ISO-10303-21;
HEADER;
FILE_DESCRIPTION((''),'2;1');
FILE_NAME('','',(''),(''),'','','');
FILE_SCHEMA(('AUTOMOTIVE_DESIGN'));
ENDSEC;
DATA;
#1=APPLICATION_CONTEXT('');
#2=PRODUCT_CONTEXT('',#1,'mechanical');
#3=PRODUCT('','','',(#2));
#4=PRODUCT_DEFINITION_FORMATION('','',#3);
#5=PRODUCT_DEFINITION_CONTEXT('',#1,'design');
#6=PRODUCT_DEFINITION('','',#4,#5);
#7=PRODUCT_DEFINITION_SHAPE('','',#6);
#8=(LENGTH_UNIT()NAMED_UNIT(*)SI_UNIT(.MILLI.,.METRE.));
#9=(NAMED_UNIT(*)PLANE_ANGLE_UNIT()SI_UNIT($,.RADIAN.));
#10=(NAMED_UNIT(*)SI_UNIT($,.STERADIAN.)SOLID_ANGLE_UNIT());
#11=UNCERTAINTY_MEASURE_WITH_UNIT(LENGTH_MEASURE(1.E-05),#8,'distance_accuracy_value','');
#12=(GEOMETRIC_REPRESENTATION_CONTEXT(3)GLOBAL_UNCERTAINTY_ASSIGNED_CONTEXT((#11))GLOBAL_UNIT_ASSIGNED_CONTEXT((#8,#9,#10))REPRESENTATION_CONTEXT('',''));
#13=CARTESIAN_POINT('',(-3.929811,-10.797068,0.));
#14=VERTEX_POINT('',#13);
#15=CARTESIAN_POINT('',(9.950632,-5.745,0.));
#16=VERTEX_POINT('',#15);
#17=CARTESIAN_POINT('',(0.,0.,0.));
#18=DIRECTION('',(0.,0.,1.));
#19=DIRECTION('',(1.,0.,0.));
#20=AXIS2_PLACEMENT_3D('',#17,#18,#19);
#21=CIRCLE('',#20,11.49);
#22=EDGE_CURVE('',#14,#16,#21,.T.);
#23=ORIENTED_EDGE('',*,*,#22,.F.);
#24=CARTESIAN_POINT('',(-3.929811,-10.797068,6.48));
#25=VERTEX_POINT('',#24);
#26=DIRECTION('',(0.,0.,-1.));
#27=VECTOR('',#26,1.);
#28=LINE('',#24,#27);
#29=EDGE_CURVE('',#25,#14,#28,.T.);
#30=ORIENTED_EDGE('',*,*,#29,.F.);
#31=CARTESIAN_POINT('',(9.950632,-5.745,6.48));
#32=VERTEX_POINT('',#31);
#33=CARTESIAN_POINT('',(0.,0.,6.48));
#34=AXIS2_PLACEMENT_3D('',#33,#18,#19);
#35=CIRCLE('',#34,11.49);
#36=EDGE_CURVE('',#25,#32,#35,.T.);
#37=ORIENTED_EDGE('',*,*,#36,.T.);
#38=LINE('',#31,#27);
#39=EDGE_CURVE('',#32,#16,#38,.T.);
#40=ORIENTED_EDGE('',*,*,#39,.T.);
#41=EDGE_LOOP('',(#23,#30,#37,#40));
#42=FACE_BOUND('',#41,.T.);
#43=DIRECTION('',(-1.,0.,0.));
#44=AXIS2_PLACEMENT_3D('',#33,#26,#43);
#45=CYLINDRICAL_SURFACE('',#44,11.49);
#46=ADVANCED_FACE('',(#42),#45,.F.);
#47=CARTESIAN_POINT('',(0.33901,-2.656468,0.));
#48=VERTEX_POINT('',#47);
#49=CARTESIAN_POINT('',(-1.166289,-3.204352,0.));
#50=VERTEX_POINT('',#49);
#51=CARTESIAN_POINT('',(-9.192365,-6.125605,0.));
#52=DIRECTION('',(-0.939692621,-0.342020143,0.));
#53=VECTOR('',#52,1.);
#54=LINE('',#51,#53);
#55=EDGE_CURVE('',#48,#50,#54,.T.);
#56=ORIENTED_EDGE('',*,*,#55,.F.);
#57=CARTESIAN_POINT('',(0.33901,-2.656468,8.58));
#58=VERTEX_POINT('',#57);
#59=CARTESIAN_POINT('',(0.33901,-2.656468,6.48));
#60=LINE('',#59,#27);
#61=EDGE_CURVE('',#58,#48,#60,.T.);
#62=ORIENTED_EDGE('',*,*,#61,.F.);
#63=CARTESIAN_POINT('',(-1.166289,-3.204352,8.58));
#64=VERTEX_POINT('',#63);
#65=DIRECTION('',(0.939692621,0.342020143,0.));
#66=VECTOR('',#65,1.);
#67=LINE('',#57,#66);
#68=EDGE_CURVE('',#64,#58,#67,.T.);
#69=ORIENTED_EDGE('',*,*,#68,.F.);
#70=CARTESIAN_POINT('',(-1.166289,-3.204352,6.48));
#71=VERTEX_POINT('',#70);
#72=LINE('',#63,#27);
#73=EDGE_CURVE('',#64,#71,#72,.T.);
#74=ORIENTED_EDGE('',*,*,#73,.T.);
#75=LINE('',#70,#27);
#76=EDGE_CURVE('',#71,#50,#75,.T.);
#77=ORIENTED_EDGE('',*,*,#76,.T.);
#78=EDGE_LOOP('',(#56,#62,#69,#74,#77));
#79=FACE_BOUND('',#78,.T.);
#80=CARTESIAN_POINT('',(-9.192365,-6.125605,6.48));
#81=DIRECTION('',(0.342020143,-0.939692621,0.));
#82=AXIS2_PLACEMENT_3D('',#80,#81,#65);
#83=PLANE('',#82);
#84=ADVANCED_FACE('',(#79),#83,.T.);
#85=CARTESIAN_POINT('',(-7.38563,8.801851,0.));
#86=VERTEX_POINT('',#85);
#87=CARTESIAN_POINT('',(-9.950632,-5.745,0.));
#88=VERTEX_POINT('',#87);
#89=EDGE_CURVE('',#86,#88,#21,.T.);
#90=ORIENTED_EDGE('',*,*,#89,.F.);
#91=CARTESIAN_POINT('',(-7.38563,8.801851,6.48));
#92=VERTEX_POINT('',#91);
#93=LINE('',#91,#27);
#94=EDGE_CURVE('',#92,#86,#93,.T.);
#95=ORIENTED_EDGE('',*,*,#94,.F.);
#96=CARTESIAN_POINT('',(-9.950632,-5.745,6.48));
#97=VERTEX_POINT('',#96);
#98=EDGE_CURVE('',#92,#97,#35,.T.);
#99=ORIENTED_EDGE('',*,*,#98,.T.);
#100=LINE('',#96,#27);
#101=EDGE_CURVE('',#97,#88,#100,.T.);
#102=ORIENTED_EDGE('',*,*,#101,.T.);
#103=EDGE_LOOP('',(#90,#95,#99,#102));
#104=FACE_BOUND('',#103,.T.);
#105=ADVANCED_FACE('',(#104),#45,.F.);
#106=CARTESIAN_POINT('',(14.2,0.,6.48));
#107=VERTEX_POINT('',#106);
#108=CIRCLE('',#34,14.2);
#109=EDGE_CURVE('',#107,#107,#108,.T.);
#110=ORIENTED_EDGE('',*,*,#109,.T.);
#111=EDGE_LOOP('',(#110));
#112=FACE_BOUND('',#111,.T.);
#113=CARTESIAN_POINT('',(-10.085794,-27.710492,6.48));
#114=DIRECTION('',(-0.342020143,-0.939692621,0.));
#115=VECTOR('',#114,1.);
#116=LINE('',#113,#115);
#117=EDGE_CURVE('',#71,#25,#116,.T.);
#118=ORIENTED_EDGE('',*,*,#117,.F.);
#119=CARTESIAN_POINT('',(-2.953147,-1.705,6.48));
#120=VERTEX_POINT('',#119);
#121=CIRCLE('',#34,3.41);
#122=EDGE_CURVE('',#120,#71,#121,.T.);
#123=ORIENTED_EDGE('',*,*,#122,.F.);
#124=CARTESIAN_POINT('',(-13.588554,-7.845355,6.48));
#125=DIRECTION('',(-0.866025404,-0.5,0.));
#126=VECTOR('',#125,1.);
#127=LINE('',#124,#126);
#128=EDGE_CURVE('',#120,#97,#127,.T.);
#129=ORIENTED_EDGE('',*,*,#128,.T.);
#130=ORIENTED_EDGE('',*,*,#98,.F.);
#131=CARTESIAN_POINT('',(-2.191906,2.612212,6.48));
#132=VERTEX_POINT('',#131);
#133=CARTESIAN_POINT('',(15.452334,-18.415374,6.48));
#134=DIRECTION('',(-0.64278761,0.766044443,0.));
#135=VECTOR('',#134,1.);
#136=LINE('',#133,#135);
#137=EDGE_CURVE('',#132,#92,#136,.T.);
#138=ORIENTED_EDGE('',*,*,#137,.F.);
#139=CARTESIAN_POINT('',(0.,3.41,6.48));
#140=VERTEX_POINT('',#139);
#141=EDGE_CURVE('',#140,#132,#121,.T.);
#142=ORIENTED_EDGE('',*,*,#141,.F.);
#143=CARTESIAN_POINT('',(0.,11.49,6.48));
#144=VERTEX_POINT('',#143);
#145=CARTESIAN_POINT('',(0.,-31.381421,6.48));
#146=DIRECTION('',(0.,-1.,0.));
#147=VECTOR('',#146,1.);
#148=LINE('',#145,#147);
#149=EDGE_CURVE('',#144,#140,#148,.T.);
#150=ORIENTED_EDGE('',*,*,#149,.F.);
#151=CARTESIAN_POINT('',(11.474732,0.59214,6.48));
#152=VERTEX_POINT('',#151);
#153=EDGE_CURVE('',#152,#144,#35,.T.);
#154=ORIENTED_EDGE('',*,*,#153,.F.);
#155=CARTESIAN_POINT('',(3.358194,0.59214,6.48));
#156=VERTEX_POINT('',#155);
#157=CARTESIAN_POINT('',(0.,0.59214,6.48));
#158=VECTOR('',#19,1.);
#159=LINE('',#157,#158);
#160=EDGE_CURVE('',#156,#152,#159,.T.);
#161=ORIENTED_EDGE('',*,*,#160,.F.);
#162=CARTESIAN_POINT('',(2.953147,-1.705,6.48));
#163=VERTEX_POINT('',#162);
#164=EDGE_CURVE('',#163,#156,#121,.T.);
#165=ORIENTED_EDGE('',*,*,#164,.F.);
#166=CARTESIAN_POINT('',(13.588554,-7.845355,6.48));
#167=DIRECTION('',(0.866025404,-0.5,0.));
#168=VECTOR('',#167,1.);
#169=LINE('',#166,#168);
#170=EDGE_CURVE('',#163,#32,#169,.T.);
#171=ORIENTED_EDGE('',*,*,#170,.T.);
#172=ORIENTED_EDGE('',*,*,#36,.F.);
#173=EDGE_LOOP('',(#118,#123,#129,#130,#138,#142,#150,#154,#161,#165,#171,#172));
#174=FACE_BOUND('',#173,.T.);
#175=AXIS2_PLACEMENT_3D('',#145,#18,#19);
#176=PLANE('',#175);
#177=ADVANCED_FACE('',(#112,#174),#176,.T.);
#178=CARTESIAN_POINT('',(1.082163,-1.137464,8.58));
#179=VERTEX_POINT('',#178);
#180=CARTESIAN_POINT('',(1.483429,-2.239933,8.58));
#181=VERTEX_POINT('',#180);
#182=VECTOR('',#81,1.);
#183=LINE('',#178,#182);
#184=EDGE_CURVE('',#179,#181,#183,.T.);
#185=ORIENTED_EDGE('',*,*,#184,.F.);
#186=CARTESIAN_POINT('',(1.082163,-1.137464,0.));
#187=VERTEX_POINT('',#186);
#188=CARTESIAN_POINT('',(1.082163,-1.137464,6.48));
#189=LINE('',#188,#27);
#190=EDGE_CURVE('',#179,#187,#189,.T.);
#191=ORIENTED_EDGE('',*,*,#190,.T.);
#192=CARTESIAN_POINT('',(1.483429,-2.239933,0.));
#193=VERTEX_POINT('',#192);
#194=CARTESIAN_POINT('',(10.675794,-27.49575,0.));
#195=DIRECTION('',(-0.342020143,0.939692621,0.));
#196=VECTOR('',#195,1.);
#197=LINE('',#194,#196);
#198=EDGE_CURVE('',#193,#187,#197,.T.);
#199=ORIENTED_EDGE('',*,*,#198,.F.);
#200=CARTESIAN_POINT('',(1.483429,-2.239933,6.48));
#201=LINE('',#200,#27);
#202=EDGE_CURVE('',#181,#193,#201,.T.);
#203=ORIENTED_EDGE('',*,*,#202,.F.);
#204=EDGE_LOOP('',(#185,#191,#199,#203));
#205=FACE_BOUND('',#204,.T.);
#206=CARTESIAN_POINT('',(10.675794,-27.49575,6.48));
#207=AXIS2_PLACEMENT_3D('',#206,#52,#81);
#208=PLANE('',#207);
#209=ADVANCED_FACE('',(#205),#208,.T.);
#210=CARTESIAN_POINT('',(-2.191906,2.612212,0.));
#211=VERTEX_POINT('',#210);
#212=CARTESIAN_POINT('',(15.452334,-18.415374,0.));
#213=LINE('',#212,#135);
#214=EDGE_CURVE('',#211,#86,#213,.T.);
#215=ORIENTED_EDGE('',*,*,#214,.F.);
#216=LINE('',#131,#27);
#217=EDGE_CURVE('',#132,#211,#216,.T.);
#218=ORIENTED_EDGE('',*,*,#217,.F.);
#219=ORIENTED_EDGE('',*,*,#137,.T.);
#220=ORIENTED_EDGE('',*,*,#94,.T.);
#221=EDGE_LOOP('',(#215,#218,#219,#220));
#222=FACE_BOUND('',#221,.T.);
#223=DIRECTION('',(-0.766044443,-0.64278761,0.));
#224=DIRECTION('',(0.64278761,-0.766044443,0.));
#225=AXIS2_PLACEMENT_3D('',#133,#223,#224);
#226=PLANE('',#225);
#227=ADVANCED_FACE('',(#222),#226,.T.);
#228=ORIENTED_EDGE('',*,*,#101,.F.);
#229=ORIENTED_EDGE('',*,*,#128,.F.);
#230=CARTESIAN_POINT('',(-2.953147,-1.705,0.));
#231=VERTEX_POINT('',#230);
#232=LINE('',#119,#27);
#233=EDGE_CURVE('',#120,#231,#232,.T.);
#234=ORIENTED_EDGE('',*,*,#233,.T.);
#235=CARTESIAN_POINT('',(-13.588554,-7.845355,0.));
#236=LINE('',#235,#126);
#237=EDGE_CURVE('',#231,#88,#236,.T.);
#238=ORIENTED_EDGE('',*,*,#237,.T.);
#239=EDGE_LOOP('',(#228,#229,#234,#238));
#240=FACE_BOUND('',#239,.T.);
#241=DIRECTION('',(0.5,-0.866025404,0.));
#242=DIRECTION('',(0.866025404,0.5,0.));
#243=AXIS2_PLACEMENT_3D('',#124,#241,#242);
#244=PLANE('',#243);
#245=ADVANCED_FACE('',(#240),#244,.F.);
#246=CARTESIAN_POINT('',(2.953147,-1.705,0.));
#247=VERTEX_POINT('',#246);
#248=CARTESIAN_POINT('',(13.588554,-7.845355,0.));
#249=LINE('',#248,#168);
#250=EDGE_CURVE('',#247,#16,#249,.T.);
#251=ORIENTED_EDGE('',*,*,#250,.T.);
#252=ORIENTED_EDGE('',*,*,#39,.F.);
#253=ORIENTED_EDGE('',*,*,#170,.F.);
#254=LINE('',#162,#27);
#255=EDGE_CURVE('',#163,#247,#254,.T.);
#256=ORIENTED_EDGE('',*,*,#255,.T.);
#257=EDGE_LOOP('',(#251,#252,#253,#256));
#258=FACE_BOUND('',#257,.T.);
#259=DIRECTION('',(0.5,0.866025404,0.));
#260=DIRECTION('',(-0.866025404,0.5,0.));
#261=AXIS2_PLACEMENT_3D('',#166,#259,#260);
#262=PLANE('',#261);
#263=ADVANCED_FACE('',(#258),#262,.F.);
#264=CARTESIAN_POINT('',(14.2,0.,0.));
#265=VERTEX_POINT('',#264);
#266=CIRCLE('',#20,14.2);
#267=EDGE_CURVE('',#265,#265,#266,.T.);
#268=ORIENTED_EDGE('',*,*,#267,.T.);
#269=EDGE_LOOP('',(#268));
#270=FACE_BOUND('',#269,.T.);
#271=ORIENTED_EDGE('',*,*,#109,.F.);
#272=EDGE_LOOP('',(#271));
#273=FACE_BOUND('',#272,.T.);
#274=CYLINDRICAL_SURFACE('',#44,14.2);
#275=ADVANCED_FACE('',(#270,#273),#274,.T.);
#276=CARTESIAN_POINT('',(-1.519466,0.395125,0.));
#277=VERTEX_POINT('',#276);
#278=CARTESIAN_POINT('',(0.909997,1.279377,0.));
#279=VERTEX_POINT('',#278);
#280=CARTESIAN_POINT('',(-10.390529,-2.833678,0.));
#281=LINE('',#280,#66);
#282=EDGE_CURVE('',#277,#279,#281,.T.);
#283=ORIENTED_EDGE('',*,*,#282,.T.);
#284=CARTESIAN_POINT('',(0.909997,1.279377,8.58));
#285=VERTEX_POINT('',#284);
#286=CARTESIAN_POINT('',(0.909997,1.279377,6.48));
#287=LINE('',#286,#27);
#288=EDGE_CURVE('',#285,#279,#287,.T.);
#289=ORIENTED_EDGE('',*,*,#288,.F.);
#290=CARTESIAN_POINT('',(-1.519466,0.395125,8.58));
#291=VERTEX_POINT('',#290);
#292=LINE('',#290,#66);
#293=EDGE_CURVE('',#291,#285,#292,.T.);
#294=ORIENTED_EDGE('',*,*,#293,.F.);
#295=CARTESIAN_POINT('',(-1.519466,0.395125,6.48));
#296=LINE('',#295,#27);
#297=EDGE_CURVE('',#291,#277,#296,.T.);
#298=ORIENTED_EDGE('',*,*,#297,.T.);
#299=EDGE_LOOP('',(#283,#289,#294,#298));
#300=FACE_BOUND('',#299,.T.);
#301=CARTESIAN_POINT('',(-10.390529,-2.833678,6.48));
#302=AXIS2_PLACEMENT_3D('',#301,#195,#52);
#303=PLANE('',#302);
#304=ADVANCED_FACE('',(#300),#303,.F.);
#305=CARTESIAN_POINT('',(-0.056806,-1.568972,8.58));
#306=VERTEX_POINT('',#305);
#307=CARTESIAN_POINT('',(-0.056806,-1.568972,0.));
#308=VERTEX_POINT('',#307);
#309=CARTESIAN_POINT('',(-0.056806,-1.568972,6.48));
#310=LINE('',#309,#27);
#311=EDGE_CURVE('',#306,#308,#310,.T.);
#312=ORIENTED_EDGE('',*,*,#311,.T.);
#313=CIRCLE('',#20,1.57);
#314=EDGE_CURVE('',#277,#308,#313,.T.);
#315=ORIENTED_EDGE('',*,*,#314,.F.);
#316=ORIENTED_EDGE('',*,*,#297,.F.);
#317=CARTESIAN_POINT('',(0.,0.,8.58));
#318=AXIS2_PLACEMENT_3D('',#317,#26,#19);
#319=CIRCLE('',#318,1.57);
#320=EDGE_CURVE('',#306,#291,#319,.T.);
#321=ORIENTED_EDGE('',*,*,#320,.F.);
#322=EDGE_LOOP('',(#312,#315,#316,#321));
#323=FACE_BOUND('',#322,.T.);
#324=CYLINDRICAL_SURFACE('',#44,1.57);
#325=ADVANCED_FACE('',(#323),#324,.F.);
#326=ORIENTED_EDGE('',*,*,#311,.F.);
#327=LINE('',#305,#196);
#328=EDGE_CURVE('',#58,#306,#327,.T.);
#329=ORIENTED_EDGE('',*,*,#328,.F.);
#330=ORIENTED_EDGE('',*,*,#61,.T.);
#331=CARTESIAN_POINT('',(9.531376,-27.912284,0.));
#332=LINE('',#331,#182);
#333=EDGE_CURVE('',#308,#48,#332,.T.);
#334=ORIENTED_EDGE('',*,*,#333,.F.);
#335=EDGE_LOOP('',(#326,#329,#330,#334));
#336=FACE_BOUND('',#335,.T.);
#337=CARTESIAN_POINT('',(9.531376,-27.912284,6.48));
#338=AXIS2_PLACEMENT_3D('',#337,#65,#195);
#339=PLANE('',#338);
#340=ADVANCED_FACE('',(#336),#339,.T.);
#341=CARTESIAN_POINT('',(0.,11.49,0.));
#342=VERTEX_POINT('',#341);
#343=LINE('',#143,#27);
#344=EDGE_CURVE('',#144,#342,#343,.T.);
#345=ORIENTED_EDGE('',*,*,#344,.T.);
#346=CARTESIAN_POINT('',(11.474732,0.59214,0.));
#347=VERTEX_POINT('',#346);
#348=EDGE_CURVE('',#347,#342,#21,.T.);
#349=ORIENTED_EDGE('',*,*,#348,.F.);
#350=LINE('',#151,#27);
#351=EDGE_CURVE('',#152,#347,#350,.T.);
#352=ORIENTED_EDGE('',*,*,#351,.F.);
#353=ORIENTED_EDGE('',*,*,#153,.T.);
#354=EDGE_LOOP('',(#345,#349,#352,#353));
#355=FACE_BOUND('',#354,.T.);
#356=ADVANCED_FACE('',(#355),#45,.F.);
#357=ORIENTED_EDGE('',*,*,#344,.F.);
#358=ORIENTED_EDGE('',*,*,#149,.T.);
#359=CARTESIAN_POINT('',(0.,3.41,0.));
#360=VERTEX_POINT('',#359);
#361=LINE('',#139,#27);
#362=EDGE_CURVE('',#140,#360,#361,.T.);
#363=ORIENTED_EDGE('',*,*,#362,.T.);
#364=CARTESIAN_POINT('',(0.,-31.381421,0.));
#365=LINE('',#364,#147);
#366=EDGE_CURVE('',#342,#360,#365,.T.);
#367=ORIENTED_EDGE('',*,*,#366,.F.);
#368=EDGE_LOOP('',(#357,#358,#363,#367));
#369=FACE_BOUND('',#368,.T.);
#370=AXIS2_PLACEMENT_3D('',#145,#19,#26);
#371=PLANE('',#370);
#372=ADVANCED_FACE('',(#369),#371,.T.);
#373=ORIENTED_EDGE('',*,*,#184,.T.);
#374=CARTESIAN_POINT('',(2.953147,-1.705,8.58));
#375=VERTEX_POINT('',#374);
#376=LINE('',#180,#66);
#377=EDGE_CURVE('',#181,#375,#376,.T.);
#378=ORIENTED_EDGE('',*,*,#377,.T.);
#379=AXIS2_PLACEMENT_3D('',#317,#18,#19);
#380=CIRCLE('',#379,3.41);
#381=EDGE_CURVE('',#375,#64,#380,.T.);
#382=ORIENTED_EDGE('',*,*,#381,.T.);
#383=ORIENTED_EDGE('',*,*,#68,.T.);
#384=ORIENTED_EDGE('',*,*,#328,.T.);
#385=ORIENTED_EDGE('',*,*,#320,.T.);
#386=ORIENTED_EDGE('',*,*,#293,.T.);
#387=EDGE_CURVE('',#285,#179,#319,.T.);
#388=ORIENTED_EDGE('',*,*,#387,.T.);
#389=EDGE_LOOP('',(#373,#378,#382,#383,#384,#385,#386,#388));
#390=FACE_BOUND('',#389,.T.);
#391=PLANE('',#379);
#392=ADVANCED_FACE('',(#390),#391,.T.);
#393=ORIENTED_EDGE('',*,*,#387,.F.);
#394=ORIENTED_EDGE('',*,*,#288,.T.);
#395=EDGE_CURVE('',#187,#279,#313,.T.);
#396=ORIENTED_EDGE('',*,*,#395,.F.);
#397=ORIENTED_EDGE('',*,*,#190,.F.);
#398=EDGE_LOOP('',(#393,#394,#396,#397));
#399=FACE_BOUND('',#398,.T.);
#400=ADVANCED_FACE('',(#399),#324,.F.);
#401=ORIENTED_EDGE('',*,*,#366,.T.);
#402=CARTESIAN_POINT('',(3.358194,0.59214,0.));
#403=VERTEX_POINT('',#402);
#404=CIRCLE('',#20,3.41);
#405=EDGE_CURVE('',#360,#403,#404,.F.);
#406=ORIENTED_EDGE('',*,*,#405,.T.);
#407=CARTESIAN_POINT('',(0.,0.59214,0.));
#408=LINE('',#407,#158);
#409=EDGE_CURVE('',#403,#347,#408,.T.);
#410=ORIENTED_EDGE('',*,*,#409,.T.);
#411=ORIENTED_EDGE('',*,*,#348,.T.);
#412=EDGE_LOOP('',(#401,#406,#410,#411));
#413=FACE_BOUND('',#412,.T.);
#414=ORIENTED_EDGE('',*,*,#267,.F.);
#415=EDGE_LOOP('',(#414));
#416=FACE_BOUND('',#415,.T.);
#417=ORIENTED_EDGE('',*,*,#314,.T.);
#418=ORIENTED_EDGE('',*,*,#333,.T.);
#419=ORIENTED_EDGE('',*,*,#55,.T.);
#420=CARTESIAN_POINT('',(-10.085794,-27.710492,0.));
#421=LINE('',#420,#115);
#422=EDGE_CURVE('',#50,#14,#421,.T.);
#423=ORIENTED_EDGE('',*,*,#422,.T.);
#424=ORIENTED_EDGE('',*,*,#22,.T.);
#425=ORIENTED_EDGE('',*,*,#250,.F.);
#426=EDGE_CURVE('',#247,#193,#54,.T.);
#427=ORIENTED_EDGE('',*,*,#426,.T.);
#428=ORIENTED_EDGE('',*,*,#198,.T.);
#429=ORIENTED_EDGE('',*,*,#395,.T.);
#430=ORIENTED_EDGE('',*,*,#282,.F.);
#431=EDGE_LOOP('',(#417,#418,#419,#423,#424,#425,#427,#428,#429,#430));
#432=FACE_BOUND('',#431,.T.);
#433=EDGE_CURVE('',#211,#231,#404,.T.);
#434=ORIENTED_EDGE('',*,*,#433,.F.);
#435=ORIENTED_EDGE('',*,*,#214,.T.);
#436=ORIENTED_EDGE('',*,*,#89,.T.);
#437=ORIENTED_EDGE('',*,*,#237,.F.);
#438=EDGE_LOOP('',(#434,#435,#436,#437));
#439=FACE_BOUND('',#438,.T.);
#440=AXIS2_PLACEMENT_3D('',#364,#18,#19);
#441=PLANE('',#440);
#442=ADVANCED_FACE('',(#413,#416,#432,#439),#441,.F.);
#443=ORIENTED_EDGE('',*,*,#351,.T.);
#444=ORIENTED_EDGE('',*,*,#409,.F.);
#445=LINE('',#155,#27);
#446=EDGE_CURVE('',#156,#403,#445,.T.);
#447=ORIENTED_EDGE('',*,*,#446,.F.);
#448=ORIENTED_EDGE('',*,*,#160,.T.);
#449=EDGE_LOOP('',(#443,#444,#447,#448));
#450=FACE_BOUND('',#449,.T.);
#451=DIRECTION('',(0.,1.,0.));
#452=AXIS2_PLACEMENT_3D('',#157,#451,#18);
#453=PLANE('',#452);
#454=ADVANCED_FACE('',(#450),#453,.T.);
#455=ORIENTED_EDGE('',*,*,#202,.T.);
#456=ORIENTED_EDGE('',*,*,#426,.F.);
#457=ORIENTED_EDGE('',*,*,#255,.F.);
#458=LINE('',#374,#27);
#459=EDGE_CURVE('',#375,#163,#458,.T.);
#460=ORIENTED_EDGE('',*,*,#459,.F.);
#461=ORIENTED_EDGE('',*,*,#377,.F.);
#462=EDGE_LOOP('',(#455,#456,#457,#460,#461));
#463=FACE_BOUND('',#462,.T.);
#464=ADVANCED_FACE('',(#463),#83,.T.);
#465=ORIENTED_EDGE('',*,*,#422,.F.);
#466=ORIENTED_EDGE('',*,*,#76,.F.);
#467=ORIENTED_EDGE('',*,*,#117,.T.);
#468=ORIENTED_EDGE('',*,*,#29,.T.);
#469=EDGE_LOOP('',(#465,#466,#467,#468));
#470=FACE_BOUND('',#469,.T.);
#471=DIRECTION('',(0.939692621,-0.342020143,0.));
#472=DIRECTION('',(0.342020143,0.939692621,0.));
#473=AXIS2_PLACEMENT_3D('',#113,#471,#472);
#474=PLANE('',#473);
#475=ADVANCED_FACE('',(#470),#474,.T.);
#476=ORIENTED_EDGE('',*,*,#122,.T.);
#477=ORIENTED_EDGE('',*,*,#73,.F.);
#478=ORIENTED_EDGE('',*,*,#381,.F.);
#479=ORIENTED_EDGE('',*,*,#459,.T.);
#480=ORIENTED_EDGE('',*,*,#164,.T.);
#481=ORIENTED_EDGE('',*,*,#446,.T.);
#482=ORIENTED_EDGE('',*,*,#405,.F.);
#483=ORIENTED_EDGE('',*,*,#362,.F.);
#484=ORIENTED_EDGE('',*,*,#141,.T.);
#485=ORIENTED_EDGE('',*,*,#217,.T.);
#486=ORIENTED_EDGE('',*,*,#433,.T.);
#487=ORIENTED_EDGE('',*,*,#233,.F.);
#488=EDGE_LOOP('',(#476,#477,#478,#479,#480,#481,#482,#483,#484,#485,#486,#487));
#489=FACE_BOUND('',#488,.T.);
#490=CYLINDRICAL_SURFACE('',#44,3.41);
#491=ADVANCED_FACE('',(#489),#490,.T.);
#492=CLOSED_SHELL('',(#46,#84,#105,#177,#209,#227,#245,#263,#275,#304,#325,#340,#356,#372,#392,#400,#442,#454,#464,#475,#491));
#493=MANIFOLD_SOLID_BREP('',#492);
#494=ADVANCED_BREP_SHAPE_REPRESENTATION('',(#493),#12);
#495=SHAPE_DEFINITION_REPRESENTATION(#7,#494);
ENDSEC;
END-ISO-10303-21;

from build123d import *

# Parameters (mm, degrees)
ESQUISSE2_R        = 14.2
BOSS_EXTRU_8_DEPTH = 6.48
BOSS_EXTRU_9_DEPTH = 2.1


with BuildPart() as part:
    # Esquisse2 → Boss.-Extru.8 (new body)
    with BuildSketch(Plane.XY):
        Circle(ESQUISSE2_R)
        with BuildLine():
            Line((1.483428969, -2.23993348), (2.953146627, -1.705))
            Line((2.953146627, -1.705), (9.950631889, -5.745))
            ThreePointArc((9.950631889, -5.745), (3.929811447, -10.797068213), (-3.929811447, -10.797068213))
            Line((-3.929811447, -10.797068213), (-1.166288689, -3.204351837))
            Line((-1.166288689, -3.204351837), (0.339010323, -2.656467803))
            Line((0.339010323, -2.656467803), (-0.017447021, -1.677109299))
            Line((-0.017447021, -1.677109299), (-0.056805783, -1.568971989))
            ThreePointArc((-0.056805783, -1.568971989), (-1.2591971, -0.93772206), (-1.519465743, 0.395125113))
            Line((-1.519465743, 0.395125113), (0.909996763, 1.27937715))
            ThreePointArc((0.909996763, 1.27937715), (1.566031564, 0.111557793), (1.082162789, -1.137463712))
            Line((1.082162789, -1.137463712), (1.126971625, -1.260574976))
            Line((1.126971625, -1.260574976), (1.483428969, -2.23993348))
        make_face(mode=Mode.SUBTRACT)
        with BuildLine():
            Line((-7.385629635, 8.801850651), (-2.191905749, 2.612211551))
            ThreePointArc((-2.191905749, 2.612211551), (-2.953146627, 1.705), (-3.358194438, 0.592140286))
            ThreePointArc((-3.358194438, 0.592140286), (-3.358194438, -0.592140286), (-2.953146627, -1.705))
            Line((-2.953146627, -1.705), (-9.950631889, -5.745))
            ThreePointArc((-9.950631889, -5.745), (-11.315441082, 1.995217561), (-7.385629635, 8.801850651))
        make_face(mode=Mode.SUBTRACT)
        with BuildLine():
            Line((0, 3.41), (0, 11.49))
            ThreePointArc((0, 11.49), (7.912534617, 8.331380194), (11.4747318, 0.592140286))
            Line((11.4747318, 0.592140286), (3.358194438, 0.592140286))
            ThreePointArc((3.358194438, 0.592140286), (2.191905749, 2.612211551), (0, 3.41))
        make_face(mode=Mode.SUBTRACT)
    extrude(amount=BOSS_EXTRU_8_DEPTH)

    # Esquisse6 → Boss.-Extru.9 (add)
    with BuildSketch(Plane.XY.offset(6.48)):
        with BuildLine():
            Line((-1.519465743, 0.395125113), (0.909996763, 1.27937715))
            ThreePointArc((0.909996763, 1.27937715), (1.566031564, 0.111557793), (1.082162789, -1.137463712))
            Line((1.082162789, -1.137463712), (1.483428969, -2.23993348))
            Line((1.483428969, -2.23993348), (2.953146627, -1.705))
            ThreePointArc((2.953146627, -1.705), (-1.166288689, 3.204351837), (-1.166288689, -3.204351837))
            Line((-1.166288689, -3.204351837), (0.339010323, -2.656467803))
            Line((0.339010323, -2.656467803), (-0.056805783, -1.568971989))
            ThreePointArc((-0.056805783, -1.568971989), (-1.2591971, -0.93772206), (-1.519465743, 0.395125113))
        make_face()
    extrude(amount=BOSS_EXTRU_9_DEPTH)


solid = part.part
